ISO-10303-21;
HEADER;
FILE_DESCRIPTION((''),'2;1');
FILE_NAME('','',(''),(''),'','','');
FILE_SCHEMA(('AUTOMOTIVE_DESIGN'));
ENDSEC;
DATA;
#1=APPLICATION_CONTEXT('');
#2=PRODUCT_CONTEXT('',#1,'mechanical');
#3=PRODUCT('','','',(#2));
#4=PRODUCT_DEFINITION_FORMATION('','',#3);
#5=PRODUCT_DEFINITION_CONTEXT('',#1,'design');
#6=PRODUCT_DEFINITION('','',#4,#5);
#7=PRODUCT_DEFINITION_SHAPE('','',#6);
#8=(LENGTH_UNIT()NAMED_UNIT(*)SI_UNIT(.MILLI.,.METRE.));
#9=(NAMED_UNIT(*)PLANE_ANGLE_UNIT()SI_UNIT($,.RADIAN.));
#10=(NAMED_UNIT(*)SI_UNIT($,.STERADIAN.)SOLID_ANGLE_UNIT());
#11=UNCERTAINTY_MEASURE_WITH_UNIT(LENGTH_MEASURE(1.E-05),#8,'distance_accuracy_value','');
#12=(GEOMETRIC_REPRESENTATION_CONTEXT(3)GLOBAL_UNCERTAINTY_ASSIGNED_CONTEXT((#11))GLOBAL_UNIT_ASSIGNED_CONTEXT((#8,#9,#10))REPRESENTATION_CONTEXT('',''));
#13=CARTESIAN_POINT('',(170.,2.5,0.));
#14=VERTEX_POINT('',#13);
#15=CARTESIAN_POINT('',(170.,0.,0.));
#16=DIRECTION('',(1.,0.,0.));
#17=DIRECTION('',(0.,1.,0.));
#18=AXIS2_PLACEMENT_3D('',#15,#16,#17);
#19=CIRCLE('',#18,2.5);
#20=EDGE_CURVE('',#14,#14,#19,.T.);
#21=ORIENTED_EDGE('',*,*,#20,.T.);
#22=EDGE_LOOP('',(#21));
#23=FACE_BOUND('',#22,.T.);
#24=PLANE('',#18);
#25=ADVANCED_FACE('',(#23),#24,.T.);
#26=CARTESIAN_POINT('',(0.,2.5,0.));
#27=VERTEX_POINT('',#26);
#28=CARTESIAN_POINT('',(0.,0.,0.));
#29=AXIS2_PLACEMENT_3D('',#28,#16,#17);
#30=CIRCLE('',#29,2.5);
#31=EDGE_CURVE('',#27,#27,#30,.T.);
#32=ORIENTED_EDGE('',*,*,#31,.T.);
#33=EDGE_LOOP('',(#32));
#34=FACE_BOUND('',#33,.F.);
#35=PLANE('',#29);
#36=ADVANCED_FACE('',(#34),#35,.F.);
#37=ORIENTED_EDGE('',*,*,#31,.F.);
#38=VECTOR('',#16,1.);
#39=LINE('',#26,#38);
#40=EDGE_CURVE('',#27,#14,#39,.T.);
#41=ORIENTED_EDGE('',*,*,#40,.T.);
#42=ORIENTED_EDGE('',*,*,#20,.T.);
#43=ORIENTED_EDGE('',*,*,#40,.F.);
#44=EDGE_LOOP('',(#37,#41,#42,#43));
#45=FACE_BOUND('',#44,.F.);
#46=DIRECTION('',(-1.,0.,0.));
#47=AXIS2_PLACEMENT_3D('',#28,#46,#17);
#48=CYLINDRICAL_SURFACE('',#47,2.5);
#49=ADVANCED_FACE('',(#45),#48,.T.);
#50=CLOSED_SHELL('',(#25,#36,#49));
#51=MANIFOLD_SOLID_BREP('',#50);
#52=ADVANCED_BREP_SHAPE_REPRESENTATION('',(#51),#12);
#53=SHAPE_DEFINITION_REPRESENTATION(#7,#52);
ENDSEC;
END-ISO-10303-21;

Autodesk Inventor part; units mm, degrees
ref_plane "YZ Plane" through (0, 0, 0) normal (1, 0, 0) x (0, 1, 0)
ref_plane "XZ Plane" through (0, 0, 0) normal (0, 1, 0) x (-1, 0, 0)
ref_plane "XY Plane" through (0, 0, 0) normal (0, 0, 1) x (1, 0, 0)
sketch "Sketch1" plane through (0, 0, 0) normal (1, 0, 0) x (0, 1, 0)
  circle A0 centre (0, 0) radius 2.5
  dimension "d0" = 5
extrude "Extrusion1" add sketch "Sketch1" along normal blind 170
properties part number "barra_motores"
